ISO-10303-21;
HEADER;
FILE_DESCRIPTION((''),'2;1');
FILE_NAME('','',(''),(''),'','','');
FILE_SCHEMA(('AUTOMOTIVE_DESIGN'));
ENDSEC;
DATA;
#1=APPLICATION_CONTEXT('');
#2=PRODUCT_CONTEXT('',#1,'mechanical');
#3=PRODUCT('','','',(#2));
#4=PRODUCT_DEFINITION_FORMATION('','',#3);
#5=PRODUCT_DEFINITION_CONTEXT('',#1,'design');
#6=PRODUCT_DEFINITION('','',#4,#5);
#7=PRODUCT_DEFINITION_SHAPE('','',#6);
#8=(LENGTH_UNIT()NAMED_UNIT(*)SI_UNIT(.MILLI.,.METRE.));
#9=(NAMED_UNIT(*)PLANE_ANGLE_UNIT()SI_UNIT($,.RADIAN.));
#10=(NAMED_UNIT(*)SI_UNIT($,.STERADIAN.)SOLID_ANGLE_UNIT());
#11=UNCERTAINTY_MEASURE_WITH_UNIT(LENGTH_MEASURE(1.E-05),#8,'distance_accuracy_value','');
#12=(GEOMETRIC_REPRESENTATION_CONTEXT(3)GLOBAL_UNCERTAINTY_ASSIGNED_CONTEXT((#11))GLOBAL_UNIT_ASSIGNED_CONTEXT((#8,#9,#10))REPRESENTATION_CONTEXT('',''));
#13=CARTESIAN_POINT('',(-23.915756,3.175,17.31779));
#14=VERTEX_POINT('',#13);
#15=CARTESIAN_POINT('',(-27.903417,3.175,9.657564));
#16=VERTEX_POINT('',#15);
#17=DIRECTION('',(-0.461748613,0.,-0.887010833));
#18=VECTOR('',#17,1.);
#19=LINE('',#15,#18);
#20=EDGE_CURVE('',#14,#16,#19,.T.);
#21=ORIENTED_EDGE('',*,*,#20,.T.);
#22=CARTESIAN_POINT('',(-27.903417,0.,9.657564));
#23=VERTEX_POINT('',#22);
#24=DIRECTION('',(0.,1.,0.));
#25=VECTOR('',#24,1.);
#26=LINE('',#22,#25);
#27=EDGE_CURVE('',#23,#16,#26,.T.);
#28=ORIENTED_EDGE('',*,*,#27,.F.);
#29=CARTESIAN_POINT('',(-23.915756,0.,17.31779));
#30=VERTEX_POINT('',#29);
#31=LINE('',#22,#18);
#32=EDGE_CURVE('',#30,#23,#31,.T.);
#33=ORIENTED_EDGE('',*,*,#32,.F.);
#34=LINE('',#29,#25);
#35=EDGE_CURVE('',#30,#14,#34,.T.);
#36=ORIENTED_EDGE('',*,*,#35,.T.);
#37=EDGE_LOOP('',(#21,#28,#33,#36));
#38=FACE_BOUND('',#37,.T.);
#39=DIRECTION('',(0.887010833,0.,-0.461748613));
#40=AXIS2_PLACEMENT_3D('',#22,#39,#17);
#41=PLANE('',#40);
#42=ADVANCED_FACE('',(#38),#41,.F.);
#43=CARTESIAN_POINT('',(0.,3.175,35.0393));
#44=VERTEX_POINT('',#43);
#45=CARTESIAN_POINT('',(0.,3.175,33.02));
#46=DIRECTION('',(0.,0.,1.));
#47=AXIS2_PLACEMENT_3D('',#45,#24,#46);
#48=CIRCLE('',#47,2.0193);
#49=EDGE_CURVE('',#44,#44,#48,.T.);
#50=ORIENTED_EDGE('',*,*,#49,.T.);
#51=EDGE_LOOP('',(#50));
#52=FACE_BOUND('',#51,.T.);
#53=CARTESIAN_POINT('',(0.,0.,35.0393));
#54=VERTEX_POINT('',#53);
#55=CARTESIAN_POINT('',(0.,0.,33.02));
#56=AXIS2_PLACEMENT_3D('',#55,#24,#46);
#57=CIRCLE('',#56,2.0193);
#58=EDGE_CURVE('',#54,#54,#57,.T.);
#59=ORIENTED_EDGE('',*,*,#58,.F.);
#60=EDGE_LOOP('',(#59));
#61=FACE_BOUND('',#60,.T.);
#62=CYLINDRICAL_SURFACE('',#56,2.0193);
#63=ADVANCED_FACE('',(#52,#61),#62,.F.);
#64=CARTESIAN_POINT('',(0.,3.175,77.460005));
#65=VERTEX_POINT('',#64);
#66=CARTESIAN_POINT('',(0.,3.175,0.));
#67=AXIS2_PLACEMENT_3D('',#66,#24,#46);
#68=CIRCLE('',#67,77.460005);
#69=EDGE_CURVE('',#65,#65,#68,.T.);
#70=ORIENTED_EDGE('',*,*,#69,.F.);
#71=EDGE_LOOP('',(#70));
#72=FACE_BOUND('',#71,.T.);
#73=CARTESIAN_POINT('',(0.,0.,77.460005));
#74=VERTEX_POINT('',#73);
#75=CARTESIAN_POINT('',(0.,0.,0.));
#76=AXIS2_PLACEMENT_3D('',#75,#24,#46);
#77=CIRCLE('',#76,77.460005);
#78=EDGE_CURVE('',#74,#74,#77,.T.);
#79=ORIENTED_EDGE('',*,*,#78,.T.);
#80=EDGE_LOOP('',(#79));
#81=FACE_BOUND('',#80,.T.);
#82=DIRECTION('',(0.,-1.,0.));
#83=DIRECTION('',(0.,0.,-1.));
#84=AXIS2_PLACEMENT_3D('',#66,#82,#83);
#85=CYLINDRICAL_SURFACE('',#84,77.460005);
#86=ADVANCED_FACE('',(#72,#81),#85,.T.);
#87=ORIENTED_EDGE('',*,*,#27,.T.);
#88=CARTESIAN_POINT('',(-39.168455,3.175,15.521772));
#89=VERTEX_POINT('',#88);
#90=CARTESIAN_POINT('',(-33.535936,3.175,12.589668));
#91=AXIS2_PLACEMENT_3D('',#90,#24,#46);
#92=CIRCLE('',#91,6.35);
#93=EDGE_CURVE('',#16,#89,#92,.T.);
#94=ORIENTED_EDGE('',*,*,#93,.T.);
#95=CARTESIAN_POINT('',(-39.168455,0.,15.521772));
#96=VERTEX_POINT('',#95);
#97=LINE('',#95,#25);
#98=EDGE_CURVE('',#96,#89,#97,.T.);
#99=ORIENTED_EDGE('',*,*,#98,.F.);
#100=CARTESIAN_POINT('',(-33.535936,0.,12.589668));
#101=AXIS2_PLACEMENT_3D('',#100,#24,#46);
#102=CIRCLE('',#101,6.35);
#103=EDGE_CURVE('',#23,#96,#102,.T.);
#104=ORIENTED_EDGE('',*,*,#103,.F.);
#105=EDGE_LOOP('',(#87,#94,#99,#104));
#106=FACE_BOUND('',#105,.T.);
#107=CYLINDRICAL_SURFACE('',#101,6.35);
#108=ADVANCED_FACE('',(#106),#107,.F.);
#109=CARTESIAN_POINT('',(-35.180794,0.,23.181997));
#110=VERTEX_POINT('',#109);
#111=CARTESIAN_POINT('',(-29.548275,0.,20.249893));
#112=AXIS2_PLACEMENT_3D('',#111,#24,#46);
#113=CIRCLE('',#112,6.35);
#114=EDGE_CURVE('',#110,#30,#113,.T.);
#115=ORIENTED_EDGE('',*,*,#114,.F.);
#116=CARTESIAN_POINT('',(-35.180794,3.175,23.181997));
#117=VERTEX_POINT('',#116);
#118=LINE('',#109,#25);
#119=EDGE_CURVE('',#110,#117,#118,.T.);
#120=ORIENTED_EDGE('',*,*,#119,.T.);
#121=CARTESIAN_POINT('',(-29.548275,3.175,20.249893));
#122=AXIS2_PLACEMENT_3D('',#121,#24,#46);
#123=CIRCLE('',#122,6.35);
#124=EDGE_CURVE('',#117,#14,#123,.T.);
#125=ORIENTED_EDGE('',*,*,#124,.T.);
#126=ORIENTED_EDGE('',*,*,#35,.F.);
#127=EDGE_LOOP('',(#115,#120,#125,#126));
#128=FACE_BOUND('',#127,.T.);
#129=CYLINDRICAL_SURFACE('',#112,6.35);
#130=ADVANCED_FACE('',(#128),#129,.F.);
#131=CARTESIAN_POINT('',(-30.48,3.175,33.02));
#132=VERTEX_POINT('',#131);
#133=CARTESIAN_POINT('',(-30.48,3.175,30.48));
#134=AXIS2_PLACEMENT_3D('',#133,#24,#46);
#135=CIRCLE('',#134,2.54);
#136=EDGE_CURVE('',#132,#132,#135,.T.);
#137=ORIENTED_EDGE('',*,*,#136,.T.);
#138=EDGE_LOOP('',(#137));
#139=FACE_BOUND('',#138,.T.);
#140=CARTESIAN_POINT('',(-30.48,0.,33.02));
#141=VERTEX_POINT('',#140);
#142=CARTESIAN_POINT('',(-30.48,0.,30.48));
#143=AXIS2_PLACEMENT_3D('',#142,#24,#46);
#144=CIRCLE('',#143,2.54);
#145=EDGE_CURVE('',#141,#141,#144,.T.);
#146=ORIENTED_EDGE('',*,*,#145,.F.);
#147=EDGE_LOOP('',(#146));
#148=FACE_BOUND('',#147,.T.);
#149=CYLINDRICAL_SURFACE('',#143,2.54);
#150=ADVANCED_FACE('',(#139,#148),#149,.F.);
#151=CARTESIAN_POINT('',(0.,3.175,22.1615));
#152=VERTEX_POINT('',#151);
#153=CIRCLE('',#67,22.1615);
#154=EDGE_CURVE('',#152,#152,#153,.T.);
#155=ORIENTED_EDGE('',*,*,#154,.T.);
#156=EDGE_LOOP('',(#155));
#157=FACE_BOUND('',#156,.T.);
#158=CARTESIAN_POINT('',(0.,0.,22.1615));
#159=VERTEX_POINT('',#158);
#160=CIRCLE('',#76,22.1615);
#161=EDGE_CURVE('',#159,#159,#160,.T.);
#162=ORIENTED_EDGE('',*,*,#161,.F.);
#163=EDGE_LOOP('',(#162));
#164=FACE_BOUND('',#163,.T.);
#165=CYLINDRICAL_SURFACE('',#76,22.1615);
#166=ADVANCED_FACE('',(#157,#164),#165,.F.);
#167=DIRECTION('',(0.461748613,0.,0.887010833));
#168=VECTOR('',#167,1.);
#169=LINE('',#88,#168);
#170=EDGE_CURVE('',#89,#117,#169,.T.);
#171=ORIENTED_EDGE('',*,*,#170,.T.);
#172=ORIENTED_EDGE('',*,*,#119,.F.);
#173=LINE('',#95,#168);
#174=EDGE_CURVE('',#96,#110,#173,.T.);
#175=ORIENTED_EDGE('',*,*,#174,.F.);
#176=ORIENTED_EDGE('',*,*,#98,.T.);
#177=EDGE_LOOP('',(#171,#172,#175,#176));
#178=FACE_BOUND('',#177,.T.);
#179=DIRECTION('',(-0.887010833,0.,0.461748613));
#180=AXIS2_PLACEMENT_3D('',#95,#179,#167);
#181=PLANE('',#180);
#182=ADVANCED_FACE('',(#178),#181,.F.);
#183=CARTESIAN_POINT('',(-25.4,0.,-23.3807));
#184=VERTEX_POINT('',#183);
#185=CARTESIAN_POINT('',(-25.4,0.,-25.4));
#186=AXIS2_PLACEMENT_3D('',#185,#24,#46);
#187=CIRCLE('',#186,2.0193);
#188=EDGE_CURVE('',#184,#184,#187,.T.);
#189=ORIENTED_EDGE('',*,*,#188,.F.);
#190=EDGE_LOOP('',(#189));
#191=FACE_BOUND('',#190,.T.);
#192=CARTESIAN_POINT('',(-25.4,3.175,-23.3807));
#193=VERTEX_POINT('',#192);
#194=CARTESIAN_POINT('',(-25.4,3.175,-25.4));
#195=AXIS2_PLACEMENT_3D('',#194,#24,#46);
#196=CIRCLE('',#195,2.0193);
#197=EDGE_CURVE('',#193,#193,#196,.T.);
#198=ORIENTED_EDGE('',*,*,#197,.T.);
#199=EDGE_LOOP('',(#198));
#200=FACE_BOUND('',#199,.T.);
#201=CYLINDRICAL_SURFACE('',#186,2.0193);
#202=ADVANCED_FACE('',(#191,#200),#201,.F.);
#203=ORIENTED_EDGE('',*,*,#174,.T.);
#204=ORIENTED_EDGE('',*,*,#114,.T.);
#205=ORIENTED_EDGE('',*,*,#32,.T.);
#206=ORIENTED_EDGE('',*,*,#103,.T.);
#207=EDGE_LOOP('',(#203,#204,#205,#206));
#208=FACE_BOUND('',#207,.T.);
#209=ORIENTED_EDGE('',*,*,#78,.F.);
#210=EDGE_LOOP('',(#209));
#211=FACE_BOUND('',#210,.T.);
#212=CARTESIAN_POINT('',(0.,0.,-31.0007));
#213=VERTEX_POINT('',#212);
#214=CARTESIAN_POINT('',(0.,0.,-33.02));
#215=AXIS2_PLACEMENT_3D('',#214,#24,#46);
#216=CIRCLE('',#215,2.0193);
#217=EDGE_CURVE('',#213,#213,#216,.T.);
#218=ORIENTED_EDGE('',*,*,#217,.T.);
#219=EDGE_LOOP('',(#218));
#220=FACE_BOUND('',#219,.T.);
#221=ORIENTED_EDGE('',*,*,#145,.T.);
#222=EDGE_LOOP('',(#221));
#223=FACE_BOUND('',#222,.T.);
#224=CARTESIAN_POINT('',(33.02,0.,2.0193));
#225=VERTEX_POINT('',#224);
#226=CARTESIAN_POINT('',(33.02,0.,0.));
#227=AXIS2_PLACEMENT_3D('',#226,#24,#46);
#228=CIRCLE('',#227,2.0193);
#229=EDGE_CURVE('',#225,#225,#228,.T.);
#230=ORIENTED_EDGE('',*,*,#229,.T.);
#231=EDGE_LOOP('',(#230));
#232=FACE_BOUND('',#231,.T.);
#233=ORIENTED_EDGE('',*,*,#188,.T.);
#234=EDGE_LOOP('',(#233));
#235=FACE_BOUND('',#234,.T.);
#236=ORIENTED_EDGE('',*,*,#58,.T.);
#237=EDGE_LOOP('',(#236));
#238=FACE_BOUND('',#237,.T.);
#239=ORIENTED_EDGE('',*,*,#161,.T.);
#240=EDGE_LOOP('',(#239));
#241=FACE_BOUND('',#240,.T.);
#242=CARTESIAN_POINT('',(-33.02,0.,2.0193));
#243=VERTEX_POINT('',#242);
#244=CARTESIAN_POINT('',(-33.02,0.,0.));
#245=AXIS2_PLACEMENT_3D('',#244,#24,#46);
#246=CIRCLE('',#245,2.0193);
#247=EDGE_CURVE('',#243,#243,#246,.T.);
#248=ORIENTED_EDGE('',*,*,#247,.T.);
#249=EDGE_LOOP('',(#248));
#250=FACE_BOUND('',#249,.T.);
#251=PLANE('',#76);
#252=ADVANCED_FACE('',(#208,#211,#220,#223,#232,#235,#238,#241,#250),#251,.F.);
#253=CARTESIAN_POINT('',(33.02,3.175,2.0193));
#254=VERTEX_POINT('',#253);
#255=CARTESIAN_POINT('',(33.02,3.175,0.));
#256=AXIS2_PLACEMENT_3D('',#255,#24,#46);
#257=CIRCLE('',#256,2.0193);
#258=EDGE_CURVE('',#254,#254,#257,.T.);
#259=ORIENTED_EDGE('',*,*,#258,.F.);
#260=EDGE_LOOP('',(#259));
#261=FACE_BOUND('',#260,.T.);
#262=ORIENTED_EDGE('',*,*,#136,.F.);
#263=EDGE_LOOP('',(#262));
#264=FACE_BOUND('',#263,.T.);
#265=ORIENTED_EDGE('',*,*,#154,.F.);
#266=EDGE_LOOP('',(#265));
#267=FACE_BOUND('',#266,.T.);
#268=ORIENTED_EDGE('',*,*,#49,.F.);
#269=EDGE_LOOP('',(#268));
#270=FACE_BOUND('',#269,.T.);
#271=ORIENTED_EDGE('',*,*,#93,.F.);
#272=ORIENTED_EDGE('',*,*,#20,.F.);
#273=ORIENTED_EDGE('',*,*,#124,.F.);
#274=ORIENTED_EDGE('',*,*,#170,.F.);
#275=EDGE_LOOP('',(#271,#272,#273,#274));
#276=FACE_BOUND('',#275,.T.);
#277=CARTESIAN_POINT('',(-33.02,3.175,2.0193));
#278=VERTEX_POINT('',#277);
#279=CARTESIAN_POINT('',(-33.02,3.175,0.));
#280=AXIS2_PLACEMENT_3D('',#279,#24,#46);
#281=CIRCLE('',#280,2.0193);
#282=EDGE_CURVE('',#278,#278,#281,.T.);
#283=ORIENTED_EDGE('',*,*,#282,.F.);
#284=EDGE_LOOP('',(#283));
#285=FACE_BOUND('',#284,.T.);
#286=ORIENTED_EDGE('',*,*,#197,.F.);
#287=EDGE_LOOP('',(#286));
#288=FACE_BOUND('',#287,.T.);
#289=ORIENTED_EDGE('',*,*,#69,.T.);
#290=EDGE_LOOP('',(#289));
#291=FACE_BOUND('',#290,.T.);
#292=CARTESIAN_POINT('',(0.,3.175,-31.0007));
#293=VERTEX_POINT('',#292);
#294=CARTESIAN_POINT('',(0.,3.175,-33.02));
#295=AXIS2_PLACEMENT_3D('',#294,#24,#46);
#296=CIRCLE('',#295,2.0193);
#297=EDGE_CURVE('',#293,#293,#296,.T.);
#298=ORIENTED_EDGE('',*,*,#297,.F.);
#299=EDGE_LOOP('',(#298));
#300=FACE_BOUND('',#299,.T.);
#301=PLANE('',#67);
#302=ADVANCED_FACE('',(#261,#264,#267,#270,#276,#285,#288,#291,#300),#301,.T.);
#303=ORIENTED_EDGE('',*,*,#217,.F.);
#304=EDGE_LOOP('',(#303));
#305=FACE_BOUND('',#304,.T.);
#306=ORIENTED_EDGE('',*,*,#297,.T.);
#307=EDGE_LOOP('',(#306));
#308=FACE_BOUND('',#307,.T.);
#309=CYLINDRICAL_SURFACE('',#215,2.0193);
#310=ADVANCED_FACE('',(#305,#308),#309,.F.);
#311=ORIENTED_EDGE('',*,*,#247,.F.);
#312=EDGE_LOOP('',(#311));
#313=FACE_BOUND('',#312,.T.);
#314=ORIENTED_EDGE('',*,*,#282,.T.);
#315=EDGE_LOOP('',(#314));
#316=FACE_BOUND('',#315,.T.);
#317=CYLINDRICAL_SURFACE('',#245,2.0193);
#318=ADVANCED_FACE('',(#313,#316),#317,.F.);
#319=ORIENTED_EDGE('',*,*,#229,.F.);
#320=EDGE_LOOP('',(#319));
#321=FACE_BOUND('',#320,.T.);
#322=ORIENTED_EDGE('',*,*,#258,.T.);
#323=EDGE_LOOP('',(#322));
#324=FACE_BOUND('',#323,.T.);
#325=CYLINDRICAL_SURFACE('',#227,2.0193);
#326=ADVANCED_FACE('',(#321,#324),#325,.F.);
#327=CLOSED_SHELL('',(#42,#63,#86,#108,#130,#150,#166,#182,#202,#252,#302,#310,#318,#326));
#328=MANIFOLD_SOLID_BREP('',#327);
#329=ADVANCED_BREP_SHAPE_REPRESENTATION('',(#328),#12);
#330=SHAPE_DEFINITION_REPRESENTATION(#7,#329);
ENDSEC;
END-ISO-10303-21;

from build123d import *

# Parameters (mm, degrees)
SKETCH1_R           = 77.4600051
BOSS_EXTRUDE1_DEPTH = 3.175
SKETCH24_R          = 22.1615
SKETCH24_R_2        = 2.0193
SKETCH24_R_3        = 2.54
CUT_EXTRUDE14_DEPTH = 110.590991442


with BuildPart() as part:
    # Sketch1 → Boss-Extrude1 (new body)
    with BuildSketch(Plane(origin=(0, 0, 0), x_dir=(1, 0, 0), z_dir=(0, 1, 0))):
        with Locations(Location((0, 0, 0), (0, 0, 270))):
            Circle(SKETCH1_R)
    extrude(amount=BOSS_EXTRUDE1_DEPTH)

    # Sketch24 → Cut-Extrude14 (cut, through all)
    with BuildSketch(Plane(origin=(0, 3.175, 0), x_dir=(1, 0, 0), z_dir=(0, 1, 0))):
        with Locations(Location((0, 0, 0), (0, 0, 270))):
            Circle(SKETCH24_R)
        with Locations(Location((0, 33.02, 0), (0, 0, 270))):
            Circle(SKETCH24_R_2)
        with Locations(Location((33.02, 0, 0), (0, 0, 270))):
            Circle(SKETCH24_R_2)
        with Locations(Location((-33.02, 0, 0), (0, 0, 270))):
            Circle(SKETCH24_R_2)
        with Locations(Location((0, -33.02, 0), (0, 0, 270))):
            Circle(SKETCH24_R_2)
        with Locations(Location((-30.48, -30.48, 0), (0, 0, 270))):
            Circle(SKETCH24_R_3)
        with Locations(Location((-25.4, 25.4, 0), (0, 0, 270))):
            Circle(SKETCH24_R_2)
        with BuildLine():
            Line((-27.903416949, -9.657564215), (-23.915755925, -17.31778977))
            ThreePointArc((-23.915755925, -17.31778977), (-26.616171022, -25.882412255), (-35.180793507, -23.181997158))
            Line((-35.180793507, -23.181997158), (-39.16845453, -15.521771603))
            ThreePointArc((-39.16845453, -15.521771603), (-36.468039434, -6.957149118), (-27.903416949, -9.657564215))
        make_face()
    extrude(amount=-CUT_EXTRUDE14_DEPTH, mode=Mode.SUBTRACT)


solid = part.part
